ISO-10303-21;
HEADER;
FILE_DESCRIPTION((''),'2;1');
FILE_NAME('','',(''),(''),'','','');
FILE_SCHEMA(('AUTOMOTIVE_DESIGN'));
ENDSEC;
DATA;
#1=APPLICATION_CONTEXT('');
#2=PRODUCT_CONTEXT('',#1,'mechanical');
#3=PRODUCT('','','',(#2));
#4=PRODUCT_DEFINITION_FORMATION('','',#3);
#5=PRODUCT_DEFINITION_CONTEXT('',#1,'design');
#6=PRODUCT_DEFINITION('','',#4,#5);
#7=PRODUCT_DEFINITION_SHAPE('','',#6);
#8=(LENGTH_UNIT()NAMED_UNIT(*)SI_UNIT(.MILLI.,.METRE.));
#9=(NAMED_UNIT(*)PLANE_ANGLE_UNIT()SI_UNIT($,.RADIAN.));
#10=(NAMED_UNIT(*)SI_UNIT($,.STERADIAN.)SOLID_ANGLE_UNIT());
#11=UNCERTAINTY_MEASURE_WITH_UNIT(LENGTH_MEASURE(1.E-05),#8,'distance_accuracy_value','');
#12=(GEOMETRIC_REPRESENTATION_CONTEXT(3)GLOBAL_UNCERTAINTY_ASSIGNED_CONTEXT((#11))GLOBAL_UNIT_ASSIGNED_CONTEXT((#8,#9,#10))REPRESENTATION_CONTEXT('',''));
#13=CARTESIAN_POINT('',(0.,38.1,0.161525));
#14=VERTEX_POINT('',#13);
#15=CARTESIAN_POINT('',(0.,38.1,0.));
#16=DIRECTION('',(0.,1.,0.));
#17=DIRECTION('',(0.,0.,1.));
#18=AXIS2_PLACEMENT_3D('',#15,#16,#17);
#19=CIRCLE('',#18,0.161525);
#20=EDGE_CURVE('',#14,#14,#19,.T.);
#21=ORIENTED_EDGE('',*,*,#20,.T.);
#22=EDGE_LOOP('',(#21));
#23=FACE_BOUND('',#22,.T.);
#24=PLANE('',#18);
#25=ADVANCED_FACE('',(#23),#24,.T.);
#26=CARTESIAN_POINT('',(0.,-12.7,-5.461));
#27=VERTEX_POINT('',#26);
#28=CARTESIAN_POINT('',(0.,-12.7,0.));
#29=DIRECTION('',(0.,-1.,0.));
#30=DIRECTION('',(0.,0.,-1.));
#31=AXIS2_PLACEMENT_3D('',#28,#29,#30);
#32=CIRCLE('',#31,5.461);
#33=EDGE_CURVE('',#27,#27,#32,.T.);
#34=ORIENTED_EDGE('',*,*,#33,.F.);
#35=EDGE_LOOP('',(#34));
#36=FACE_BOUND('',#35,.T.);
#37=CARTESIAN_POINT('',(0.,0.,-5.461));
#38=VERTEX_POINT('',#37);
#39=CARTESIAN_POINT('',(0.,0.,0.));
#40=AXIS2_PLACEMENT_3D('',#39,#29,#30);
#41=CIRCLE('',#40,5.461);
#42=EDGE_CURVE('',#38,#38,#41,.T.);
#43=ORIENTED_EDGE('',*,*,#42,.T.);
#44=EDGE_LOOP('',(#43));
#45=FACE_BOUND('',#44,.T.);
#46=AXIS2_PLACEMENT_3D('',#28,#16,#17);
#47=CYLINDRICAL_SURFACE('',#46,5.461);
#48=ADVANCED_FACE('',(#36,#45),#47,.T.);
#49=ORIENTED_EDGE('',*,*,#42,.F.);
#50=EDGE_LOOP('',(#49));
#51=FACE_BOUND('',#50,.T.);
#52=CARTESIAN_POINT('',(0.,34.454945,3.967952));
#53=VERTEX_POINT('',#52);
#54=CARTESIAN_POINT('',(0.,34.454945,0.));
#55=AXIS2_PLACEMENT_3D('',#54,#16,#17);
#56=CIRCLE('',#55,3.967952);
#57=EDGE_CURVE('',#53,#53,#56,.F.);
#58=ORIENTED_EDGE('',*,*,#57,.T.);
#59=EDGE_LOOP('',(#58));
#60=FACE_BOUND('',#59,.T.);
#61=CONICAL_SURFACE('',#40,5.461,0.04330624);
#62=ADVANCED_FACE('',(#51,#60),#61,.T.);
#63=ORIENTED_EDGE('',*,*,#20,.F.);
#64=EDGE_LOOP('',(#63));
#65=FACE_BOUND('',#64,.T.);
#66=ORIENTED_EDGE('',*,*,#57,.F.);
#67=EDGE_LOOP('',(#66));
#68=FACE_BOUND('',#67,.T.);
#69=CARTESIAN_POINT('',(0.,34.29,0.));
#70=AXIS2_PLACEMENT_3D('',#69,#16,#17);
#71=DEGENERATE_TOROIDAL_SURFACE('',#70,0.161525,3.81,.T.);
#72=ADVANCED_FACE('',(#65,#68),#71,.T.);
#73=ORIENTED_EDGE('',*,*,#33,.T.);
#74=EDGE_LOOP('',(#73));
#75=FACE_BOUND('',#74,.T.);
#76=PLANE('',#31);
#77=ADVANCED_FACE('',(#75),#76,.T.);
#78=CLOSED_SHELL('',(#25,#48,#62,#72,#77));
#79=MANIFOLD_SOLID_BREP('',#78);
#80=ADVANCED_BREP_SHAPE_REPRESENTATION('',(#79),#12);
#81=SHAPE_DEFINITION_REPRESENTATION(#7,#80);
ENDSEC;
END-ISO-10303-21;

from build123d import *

# Parameters (mm, degrees)
SKETCH2_R           = 5.461
BOSS_EXTRUDE1_DEPTH = 12.7
FILLET1_R           = 3.81


with BuildPart() as part:
    # Sketch1 → Revolve1 (revolve)
    with BuildSketch(Plane.XY, mode=Mode.PRIVATE) as revolve1_sk:
        Polygon((0, 0), (0, 38.1), (3.81, 38.1), (5.461, 0), align=None)
    revolve(revolve1_sk.sketch.rotate(Axis((0, 0, 0), (0, 1, 0)), 90), axis=Axis((0, 0, 0), (0, 1, 0)))

    # Sketch2 → Boss-Extrude1 (add)
    with BuildSketch(Plane(origin=(0, 0, 0), x_dir=(-1, 0, 0), z_dir=(0, -1, 0))):
        with Locations(Location((0, 0, 0), (0, 0, 90))):
            Circle(SKETCH2_R)
    extrude(amount=BOSS_EXTRUDE1_DEPTH)

    # Fillet1
    fillet1_edges = [part.edges().sort_by_distance(p)[0] for p in [
        (0, 38.1, 3.81),
    ]]
    fillet(fillet1_edges, radius=FILLET1_R)


solid = part.part
